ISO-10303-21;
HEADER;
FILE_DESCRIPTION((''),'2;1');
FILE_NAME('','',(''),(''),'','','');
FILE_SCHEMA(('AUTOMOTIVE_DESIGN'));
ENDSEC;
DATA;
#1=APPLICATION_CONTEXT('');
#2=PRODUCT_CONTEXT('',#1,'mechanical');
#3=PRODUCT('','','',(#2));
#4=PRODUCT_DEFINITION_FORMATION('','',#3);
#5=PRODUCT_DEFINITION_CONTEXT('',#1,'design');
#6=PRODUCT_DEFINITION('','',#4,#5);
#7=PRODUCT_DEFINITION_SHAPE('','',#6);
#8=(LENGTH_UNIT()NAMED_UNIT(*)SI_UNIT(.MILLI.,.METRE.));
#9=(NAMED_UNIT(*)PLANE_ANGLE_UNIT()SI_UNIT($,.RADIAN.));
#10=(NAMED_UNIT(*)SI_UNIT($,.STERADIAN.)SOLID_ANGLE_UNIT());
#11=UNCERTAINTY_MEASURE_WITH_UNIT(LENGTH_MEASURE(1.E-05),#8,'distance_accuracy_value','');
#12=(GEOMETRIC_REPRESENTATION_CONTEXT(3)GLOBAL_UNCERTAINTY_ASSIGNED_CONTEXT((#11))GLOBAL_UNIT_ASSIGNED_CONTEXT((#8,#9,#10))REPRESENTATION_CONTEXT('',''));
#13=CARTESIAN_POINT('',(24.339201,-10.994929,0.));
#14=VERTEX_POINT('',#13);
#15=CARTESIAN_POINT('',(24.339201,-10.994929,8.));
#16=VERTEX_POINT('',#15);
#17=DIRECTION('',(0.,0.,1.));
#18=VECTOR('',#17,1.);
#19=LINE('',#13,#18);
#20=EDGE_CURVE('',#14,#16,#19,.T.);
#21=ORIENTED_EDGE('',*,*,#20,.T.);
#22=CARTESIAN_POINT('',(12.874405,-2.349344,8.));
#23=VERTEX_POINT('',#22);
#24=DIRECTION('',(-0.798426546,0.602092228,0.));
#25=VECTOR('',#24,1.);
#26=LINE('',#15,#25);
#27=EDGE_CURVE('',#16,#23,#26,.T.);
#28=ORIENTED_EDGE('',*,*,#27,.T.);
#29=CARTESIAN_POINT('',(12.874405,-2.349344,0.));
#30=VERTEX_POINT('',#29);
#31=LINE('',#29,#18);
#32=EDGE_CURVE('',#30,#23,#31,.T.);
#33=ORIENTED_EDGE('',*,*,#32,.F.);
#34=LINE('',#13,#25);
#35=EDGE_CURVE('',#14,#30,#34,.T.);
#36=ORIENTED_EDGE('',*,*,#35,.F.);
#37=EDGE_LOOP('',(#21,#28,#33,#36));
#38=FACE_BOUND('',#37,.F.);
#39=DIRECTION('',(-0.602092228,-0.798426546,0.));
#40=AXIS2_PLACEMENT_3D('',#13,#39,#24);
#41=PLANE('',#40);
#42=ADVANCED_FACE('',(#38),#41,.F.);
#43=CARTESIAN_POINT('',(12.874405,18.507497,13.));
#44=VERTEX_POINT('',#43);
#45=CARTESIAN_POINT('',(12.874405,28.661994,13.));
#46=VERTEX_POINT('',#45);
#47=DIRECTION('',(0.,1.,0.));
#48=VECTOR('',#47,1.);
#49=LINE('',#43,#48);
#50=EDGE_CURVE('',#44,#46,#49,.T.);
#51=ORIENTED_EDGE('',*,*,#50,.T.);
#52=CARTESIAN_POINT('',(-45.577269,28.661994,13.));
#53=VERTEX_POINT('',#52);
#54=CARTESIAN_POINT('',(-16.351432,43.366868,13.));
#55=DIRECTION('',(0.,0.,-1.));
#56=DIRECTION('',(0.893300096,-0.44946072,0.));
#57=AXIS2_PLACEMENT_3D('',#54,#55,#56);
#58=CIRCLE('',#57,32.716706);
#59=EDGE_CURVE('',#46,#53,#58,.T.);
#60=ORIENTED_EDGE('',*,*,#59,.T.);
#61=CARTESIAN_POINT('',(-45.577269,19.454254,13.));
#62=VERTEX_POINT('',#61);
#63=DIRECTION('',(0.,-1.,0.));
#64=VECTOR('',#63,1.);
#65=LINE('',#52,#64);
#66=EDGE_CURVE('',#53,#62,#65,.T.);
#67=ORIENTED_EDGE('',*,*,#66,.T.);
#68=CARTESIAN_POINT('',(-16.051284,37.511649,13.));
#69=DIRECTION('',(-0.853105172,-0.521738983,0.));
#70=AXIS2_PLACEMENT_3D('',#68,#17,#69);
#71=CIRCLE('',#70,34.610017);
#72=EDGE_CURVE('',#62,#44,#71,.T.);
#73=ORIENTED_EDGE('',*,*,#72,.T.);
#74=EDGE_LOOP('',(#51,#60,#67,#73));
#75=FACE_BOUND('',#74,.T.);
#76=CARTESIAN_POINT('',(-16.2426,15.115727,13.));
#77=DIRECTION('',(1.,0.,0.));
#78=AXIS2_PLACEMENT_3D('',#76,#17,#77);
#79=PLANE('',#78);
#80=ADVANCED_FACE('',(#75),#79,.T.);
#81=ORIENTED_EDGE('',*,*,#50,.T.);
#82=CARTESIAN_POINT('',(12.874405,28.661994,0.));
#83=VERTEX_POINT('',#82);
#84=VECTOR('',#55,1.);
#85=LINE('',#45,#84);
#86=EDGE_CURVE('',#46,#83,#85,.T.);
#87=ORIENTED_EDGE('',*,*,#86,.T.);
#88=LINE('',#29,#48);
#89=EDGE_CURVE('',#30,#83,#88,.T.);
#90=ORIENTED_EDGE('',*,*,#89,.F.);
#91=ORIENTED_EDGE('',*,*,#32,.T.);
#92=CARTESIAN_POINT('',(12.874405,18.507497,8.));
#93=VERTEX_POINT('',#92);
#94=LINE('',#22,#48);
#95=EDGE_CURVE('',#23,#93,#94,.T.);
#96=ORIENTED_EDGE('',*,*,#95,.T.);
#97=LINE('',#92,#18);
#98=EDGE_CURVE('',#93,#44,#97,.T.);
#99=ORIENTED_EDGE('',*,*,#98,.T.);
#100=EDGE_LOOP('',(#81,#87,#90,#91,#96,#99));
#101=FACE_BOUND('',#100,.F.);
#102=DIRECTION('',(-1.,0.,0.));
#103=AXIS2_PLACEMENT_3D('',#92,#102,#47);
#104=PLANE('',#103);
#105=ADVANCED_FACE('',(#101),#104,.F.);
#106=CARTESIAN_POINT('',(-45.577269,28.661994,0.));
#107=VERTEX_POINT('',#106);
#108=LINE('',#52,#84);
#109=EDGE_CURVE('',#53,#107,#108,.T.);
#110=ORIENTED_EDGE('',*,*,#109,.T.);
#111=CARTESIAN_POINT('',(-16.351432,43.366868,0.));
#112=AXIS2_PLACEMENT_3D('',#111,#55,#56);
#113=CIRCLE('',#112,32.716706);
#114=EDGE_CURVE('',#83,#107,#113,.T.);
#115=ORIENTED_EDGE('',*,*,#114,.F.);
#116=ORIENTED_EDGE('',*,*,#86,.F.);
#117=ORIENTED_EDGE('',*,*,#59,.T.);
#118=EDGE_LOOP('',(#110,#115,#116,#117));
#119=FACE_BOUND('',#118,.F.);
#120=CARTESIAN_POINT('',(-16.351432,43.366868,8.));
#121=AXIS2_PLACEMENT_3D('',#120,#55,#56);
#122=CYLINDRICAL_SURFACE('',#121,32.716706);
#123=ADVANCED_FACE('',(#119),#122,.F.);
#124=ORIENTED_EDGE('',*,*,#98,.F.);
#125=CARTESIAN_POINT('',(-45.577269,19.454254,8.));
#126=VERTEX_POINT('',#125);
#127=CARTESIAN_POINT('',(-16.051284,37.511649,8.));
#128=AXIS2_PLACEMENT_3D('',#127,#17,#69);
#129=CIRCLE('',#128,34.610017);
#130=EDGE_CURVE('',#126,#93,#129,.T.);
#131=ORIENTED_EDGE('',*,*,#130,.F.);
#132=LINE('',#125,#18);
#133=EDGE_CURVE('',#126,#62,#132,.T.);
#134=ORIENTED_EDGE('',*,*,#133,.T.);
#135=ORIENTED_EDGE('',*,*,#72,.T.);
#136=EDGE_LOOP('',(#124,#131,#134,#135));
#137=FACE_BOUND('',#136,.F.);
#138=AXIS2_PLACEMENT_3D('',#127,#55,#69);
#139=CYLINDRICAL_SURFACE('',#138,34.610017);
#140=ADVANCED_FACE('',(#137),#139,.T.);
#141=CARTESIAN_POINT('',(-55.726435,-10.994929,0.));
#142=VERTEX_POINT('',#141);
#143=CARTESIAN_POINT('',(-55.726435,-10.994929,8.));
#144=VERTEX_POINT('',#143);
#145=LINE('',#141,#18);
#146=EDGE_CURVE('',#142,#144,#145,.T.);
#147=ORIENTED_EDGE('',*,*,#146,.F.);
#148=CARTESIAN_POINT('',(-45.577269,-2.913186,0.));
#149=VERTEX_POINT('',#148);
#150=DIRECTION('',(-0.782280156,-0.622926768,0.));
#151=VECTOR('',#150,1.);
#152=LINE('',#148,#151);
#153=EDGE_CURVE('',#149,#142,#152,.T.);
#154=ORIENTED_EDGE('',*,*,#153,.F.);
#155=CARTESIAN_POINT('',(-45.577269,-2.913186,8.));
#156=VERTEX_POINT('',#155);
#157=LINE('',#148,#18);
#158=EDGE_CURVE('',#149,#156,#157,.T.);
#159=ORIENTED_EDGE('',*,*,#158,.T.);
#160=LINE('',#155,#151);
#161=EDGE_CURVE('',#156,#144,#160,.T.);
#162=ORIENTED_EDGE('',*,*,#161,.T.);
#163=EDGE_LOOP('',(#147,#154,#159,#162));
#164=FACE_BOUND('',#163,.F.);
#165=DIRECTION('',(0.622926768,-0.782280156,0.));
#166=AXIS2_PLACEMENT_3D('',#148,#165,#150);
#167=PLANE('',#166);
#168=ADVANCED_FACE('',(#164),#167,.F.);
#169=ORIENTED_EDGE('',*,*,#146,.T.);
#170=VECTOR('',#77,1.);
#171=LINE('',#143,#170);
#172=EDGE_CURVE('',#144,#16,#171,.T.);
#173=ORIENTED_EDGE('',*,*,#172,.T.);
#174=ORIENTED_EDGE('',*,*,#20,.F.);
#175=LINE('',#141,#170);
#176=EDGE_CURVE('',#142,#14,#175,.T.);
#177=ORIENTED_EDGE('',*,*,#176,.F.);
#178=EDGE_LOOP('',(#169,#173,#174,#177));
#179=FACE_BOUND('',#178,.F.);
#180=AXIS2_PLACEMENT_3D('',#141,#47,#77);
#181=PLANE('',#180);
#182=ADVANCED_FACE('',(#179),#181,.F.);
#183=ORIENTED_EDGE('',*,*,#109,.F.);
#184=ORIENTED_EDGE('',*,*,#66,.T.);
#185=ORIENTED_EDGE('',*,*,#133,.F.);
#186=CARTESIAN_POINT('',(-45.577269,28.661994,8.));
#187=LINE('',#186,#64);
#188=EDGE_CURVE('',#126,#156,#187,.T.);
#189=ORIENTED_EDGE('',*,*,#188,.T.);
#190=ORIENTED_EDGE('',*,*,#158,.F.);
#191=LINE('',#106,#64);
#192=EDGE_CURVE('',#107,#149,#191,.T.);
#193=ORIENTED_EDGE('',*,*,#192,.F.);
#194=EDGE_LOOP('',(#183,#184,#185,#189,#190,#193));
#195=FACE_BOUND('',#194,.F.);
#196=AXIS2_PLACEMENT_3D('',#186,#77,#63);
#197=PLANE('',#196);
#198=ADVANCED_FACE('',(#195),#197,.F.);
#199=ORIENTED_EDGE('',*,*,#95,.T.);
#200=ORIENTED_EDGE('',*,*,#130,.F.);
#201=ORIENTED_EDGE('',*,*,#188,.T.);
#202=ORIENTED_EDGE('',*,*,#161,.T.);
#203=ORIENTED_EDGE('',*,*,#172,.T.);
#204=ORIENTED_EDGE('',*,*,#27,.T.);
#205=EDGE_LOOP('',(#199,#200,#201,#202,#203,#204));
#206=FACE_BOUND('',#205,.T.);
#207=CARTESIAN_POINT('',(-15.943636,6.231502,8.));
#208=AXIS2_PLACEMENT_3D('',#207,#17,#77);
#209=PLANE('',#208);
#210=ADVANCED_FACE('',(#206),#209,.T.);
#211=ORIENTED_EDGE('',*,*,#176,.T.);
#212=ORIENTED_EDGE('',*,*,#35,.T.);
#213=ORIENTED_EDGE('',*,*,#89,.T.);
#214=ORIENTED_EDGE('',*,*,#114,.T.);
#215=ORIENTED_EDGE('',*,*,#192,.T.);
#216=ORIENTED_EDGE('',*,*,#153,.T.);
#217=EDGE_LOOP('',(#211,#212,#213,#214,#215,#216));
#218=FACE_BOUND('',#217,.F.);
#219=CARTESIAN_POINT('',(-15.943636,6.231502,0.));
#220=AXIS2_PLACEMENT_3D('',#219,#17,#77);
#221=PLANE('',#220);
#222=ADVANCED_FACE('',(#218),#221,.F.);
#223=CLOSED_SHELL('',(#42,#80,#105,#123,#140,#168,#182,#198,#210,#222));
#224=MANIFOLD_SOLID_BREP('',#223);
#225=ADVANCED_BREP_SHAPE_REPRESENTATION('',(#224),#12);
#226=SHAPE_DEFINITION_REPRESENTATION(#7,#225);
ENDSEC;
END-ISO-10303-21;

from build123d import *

# Parameters (mm, degrees)
F1_DEPTH      = 8
F3_DEPTH      = 25
F3_DEPTH_BACK = 25
F5_DEPTH      = 5


with BuildPart() as f1:
    # F0 (on Top) → F1 (new body)
    with BuildSketch(Plane.XY):
        Polygon((-45.577269, 28.661994), (-45.577269, -2.913186), (-55.726435, -10.994929), (24.339201, -10.994929), (12.874405, -2.349344), (12.874405, 28.661994), align=None)
    extrude(amount=F1_DEPTH)

    # F2 (on face) → F3 (cut, two sides)
    with BuildSketch(Plane(origin=(0, 0, 0), x_dir=(1, 0, 0), z_dir=(0, 0, -1))) as f3_sk:
        with BuildLine():
            Line((-45.577269, -28.661994), (12.874405, -28.661994))
            ThreePointArc((12.874405, -28.661994), (-16.351432, -10.650162), (-45.577269, -28.661994))
        make_face()
    extrude(amount=-F3_DEPTH, mode=Mode.SUBTRACT)
    extrude(f3_sk.sketch, amount=-F3_DEPTH_BACK, mode=Mode.SUBTRACT)

    # F4 (on face) → F5 (join)
    with BuildSketch(Plane.XY.offset(8)):
        with BuildLine():
            Line((-45.577269, 28.661994), (-45.577269, 19.454254))
            ThreePointArc((-45.577269, 19.454254), (-16.611798, 2.906171), (12.874405, 18.507497))
            Line((12.874405, 18.507497), (12.874405, 28.661994))
            ThreePointArc((12.874405, 28.661994), (-16.351432, 10.650162), (-45.577269, 28.661994))
        make_face()
    extrude(amount=F5_DEPTH)


solid = f1.part
